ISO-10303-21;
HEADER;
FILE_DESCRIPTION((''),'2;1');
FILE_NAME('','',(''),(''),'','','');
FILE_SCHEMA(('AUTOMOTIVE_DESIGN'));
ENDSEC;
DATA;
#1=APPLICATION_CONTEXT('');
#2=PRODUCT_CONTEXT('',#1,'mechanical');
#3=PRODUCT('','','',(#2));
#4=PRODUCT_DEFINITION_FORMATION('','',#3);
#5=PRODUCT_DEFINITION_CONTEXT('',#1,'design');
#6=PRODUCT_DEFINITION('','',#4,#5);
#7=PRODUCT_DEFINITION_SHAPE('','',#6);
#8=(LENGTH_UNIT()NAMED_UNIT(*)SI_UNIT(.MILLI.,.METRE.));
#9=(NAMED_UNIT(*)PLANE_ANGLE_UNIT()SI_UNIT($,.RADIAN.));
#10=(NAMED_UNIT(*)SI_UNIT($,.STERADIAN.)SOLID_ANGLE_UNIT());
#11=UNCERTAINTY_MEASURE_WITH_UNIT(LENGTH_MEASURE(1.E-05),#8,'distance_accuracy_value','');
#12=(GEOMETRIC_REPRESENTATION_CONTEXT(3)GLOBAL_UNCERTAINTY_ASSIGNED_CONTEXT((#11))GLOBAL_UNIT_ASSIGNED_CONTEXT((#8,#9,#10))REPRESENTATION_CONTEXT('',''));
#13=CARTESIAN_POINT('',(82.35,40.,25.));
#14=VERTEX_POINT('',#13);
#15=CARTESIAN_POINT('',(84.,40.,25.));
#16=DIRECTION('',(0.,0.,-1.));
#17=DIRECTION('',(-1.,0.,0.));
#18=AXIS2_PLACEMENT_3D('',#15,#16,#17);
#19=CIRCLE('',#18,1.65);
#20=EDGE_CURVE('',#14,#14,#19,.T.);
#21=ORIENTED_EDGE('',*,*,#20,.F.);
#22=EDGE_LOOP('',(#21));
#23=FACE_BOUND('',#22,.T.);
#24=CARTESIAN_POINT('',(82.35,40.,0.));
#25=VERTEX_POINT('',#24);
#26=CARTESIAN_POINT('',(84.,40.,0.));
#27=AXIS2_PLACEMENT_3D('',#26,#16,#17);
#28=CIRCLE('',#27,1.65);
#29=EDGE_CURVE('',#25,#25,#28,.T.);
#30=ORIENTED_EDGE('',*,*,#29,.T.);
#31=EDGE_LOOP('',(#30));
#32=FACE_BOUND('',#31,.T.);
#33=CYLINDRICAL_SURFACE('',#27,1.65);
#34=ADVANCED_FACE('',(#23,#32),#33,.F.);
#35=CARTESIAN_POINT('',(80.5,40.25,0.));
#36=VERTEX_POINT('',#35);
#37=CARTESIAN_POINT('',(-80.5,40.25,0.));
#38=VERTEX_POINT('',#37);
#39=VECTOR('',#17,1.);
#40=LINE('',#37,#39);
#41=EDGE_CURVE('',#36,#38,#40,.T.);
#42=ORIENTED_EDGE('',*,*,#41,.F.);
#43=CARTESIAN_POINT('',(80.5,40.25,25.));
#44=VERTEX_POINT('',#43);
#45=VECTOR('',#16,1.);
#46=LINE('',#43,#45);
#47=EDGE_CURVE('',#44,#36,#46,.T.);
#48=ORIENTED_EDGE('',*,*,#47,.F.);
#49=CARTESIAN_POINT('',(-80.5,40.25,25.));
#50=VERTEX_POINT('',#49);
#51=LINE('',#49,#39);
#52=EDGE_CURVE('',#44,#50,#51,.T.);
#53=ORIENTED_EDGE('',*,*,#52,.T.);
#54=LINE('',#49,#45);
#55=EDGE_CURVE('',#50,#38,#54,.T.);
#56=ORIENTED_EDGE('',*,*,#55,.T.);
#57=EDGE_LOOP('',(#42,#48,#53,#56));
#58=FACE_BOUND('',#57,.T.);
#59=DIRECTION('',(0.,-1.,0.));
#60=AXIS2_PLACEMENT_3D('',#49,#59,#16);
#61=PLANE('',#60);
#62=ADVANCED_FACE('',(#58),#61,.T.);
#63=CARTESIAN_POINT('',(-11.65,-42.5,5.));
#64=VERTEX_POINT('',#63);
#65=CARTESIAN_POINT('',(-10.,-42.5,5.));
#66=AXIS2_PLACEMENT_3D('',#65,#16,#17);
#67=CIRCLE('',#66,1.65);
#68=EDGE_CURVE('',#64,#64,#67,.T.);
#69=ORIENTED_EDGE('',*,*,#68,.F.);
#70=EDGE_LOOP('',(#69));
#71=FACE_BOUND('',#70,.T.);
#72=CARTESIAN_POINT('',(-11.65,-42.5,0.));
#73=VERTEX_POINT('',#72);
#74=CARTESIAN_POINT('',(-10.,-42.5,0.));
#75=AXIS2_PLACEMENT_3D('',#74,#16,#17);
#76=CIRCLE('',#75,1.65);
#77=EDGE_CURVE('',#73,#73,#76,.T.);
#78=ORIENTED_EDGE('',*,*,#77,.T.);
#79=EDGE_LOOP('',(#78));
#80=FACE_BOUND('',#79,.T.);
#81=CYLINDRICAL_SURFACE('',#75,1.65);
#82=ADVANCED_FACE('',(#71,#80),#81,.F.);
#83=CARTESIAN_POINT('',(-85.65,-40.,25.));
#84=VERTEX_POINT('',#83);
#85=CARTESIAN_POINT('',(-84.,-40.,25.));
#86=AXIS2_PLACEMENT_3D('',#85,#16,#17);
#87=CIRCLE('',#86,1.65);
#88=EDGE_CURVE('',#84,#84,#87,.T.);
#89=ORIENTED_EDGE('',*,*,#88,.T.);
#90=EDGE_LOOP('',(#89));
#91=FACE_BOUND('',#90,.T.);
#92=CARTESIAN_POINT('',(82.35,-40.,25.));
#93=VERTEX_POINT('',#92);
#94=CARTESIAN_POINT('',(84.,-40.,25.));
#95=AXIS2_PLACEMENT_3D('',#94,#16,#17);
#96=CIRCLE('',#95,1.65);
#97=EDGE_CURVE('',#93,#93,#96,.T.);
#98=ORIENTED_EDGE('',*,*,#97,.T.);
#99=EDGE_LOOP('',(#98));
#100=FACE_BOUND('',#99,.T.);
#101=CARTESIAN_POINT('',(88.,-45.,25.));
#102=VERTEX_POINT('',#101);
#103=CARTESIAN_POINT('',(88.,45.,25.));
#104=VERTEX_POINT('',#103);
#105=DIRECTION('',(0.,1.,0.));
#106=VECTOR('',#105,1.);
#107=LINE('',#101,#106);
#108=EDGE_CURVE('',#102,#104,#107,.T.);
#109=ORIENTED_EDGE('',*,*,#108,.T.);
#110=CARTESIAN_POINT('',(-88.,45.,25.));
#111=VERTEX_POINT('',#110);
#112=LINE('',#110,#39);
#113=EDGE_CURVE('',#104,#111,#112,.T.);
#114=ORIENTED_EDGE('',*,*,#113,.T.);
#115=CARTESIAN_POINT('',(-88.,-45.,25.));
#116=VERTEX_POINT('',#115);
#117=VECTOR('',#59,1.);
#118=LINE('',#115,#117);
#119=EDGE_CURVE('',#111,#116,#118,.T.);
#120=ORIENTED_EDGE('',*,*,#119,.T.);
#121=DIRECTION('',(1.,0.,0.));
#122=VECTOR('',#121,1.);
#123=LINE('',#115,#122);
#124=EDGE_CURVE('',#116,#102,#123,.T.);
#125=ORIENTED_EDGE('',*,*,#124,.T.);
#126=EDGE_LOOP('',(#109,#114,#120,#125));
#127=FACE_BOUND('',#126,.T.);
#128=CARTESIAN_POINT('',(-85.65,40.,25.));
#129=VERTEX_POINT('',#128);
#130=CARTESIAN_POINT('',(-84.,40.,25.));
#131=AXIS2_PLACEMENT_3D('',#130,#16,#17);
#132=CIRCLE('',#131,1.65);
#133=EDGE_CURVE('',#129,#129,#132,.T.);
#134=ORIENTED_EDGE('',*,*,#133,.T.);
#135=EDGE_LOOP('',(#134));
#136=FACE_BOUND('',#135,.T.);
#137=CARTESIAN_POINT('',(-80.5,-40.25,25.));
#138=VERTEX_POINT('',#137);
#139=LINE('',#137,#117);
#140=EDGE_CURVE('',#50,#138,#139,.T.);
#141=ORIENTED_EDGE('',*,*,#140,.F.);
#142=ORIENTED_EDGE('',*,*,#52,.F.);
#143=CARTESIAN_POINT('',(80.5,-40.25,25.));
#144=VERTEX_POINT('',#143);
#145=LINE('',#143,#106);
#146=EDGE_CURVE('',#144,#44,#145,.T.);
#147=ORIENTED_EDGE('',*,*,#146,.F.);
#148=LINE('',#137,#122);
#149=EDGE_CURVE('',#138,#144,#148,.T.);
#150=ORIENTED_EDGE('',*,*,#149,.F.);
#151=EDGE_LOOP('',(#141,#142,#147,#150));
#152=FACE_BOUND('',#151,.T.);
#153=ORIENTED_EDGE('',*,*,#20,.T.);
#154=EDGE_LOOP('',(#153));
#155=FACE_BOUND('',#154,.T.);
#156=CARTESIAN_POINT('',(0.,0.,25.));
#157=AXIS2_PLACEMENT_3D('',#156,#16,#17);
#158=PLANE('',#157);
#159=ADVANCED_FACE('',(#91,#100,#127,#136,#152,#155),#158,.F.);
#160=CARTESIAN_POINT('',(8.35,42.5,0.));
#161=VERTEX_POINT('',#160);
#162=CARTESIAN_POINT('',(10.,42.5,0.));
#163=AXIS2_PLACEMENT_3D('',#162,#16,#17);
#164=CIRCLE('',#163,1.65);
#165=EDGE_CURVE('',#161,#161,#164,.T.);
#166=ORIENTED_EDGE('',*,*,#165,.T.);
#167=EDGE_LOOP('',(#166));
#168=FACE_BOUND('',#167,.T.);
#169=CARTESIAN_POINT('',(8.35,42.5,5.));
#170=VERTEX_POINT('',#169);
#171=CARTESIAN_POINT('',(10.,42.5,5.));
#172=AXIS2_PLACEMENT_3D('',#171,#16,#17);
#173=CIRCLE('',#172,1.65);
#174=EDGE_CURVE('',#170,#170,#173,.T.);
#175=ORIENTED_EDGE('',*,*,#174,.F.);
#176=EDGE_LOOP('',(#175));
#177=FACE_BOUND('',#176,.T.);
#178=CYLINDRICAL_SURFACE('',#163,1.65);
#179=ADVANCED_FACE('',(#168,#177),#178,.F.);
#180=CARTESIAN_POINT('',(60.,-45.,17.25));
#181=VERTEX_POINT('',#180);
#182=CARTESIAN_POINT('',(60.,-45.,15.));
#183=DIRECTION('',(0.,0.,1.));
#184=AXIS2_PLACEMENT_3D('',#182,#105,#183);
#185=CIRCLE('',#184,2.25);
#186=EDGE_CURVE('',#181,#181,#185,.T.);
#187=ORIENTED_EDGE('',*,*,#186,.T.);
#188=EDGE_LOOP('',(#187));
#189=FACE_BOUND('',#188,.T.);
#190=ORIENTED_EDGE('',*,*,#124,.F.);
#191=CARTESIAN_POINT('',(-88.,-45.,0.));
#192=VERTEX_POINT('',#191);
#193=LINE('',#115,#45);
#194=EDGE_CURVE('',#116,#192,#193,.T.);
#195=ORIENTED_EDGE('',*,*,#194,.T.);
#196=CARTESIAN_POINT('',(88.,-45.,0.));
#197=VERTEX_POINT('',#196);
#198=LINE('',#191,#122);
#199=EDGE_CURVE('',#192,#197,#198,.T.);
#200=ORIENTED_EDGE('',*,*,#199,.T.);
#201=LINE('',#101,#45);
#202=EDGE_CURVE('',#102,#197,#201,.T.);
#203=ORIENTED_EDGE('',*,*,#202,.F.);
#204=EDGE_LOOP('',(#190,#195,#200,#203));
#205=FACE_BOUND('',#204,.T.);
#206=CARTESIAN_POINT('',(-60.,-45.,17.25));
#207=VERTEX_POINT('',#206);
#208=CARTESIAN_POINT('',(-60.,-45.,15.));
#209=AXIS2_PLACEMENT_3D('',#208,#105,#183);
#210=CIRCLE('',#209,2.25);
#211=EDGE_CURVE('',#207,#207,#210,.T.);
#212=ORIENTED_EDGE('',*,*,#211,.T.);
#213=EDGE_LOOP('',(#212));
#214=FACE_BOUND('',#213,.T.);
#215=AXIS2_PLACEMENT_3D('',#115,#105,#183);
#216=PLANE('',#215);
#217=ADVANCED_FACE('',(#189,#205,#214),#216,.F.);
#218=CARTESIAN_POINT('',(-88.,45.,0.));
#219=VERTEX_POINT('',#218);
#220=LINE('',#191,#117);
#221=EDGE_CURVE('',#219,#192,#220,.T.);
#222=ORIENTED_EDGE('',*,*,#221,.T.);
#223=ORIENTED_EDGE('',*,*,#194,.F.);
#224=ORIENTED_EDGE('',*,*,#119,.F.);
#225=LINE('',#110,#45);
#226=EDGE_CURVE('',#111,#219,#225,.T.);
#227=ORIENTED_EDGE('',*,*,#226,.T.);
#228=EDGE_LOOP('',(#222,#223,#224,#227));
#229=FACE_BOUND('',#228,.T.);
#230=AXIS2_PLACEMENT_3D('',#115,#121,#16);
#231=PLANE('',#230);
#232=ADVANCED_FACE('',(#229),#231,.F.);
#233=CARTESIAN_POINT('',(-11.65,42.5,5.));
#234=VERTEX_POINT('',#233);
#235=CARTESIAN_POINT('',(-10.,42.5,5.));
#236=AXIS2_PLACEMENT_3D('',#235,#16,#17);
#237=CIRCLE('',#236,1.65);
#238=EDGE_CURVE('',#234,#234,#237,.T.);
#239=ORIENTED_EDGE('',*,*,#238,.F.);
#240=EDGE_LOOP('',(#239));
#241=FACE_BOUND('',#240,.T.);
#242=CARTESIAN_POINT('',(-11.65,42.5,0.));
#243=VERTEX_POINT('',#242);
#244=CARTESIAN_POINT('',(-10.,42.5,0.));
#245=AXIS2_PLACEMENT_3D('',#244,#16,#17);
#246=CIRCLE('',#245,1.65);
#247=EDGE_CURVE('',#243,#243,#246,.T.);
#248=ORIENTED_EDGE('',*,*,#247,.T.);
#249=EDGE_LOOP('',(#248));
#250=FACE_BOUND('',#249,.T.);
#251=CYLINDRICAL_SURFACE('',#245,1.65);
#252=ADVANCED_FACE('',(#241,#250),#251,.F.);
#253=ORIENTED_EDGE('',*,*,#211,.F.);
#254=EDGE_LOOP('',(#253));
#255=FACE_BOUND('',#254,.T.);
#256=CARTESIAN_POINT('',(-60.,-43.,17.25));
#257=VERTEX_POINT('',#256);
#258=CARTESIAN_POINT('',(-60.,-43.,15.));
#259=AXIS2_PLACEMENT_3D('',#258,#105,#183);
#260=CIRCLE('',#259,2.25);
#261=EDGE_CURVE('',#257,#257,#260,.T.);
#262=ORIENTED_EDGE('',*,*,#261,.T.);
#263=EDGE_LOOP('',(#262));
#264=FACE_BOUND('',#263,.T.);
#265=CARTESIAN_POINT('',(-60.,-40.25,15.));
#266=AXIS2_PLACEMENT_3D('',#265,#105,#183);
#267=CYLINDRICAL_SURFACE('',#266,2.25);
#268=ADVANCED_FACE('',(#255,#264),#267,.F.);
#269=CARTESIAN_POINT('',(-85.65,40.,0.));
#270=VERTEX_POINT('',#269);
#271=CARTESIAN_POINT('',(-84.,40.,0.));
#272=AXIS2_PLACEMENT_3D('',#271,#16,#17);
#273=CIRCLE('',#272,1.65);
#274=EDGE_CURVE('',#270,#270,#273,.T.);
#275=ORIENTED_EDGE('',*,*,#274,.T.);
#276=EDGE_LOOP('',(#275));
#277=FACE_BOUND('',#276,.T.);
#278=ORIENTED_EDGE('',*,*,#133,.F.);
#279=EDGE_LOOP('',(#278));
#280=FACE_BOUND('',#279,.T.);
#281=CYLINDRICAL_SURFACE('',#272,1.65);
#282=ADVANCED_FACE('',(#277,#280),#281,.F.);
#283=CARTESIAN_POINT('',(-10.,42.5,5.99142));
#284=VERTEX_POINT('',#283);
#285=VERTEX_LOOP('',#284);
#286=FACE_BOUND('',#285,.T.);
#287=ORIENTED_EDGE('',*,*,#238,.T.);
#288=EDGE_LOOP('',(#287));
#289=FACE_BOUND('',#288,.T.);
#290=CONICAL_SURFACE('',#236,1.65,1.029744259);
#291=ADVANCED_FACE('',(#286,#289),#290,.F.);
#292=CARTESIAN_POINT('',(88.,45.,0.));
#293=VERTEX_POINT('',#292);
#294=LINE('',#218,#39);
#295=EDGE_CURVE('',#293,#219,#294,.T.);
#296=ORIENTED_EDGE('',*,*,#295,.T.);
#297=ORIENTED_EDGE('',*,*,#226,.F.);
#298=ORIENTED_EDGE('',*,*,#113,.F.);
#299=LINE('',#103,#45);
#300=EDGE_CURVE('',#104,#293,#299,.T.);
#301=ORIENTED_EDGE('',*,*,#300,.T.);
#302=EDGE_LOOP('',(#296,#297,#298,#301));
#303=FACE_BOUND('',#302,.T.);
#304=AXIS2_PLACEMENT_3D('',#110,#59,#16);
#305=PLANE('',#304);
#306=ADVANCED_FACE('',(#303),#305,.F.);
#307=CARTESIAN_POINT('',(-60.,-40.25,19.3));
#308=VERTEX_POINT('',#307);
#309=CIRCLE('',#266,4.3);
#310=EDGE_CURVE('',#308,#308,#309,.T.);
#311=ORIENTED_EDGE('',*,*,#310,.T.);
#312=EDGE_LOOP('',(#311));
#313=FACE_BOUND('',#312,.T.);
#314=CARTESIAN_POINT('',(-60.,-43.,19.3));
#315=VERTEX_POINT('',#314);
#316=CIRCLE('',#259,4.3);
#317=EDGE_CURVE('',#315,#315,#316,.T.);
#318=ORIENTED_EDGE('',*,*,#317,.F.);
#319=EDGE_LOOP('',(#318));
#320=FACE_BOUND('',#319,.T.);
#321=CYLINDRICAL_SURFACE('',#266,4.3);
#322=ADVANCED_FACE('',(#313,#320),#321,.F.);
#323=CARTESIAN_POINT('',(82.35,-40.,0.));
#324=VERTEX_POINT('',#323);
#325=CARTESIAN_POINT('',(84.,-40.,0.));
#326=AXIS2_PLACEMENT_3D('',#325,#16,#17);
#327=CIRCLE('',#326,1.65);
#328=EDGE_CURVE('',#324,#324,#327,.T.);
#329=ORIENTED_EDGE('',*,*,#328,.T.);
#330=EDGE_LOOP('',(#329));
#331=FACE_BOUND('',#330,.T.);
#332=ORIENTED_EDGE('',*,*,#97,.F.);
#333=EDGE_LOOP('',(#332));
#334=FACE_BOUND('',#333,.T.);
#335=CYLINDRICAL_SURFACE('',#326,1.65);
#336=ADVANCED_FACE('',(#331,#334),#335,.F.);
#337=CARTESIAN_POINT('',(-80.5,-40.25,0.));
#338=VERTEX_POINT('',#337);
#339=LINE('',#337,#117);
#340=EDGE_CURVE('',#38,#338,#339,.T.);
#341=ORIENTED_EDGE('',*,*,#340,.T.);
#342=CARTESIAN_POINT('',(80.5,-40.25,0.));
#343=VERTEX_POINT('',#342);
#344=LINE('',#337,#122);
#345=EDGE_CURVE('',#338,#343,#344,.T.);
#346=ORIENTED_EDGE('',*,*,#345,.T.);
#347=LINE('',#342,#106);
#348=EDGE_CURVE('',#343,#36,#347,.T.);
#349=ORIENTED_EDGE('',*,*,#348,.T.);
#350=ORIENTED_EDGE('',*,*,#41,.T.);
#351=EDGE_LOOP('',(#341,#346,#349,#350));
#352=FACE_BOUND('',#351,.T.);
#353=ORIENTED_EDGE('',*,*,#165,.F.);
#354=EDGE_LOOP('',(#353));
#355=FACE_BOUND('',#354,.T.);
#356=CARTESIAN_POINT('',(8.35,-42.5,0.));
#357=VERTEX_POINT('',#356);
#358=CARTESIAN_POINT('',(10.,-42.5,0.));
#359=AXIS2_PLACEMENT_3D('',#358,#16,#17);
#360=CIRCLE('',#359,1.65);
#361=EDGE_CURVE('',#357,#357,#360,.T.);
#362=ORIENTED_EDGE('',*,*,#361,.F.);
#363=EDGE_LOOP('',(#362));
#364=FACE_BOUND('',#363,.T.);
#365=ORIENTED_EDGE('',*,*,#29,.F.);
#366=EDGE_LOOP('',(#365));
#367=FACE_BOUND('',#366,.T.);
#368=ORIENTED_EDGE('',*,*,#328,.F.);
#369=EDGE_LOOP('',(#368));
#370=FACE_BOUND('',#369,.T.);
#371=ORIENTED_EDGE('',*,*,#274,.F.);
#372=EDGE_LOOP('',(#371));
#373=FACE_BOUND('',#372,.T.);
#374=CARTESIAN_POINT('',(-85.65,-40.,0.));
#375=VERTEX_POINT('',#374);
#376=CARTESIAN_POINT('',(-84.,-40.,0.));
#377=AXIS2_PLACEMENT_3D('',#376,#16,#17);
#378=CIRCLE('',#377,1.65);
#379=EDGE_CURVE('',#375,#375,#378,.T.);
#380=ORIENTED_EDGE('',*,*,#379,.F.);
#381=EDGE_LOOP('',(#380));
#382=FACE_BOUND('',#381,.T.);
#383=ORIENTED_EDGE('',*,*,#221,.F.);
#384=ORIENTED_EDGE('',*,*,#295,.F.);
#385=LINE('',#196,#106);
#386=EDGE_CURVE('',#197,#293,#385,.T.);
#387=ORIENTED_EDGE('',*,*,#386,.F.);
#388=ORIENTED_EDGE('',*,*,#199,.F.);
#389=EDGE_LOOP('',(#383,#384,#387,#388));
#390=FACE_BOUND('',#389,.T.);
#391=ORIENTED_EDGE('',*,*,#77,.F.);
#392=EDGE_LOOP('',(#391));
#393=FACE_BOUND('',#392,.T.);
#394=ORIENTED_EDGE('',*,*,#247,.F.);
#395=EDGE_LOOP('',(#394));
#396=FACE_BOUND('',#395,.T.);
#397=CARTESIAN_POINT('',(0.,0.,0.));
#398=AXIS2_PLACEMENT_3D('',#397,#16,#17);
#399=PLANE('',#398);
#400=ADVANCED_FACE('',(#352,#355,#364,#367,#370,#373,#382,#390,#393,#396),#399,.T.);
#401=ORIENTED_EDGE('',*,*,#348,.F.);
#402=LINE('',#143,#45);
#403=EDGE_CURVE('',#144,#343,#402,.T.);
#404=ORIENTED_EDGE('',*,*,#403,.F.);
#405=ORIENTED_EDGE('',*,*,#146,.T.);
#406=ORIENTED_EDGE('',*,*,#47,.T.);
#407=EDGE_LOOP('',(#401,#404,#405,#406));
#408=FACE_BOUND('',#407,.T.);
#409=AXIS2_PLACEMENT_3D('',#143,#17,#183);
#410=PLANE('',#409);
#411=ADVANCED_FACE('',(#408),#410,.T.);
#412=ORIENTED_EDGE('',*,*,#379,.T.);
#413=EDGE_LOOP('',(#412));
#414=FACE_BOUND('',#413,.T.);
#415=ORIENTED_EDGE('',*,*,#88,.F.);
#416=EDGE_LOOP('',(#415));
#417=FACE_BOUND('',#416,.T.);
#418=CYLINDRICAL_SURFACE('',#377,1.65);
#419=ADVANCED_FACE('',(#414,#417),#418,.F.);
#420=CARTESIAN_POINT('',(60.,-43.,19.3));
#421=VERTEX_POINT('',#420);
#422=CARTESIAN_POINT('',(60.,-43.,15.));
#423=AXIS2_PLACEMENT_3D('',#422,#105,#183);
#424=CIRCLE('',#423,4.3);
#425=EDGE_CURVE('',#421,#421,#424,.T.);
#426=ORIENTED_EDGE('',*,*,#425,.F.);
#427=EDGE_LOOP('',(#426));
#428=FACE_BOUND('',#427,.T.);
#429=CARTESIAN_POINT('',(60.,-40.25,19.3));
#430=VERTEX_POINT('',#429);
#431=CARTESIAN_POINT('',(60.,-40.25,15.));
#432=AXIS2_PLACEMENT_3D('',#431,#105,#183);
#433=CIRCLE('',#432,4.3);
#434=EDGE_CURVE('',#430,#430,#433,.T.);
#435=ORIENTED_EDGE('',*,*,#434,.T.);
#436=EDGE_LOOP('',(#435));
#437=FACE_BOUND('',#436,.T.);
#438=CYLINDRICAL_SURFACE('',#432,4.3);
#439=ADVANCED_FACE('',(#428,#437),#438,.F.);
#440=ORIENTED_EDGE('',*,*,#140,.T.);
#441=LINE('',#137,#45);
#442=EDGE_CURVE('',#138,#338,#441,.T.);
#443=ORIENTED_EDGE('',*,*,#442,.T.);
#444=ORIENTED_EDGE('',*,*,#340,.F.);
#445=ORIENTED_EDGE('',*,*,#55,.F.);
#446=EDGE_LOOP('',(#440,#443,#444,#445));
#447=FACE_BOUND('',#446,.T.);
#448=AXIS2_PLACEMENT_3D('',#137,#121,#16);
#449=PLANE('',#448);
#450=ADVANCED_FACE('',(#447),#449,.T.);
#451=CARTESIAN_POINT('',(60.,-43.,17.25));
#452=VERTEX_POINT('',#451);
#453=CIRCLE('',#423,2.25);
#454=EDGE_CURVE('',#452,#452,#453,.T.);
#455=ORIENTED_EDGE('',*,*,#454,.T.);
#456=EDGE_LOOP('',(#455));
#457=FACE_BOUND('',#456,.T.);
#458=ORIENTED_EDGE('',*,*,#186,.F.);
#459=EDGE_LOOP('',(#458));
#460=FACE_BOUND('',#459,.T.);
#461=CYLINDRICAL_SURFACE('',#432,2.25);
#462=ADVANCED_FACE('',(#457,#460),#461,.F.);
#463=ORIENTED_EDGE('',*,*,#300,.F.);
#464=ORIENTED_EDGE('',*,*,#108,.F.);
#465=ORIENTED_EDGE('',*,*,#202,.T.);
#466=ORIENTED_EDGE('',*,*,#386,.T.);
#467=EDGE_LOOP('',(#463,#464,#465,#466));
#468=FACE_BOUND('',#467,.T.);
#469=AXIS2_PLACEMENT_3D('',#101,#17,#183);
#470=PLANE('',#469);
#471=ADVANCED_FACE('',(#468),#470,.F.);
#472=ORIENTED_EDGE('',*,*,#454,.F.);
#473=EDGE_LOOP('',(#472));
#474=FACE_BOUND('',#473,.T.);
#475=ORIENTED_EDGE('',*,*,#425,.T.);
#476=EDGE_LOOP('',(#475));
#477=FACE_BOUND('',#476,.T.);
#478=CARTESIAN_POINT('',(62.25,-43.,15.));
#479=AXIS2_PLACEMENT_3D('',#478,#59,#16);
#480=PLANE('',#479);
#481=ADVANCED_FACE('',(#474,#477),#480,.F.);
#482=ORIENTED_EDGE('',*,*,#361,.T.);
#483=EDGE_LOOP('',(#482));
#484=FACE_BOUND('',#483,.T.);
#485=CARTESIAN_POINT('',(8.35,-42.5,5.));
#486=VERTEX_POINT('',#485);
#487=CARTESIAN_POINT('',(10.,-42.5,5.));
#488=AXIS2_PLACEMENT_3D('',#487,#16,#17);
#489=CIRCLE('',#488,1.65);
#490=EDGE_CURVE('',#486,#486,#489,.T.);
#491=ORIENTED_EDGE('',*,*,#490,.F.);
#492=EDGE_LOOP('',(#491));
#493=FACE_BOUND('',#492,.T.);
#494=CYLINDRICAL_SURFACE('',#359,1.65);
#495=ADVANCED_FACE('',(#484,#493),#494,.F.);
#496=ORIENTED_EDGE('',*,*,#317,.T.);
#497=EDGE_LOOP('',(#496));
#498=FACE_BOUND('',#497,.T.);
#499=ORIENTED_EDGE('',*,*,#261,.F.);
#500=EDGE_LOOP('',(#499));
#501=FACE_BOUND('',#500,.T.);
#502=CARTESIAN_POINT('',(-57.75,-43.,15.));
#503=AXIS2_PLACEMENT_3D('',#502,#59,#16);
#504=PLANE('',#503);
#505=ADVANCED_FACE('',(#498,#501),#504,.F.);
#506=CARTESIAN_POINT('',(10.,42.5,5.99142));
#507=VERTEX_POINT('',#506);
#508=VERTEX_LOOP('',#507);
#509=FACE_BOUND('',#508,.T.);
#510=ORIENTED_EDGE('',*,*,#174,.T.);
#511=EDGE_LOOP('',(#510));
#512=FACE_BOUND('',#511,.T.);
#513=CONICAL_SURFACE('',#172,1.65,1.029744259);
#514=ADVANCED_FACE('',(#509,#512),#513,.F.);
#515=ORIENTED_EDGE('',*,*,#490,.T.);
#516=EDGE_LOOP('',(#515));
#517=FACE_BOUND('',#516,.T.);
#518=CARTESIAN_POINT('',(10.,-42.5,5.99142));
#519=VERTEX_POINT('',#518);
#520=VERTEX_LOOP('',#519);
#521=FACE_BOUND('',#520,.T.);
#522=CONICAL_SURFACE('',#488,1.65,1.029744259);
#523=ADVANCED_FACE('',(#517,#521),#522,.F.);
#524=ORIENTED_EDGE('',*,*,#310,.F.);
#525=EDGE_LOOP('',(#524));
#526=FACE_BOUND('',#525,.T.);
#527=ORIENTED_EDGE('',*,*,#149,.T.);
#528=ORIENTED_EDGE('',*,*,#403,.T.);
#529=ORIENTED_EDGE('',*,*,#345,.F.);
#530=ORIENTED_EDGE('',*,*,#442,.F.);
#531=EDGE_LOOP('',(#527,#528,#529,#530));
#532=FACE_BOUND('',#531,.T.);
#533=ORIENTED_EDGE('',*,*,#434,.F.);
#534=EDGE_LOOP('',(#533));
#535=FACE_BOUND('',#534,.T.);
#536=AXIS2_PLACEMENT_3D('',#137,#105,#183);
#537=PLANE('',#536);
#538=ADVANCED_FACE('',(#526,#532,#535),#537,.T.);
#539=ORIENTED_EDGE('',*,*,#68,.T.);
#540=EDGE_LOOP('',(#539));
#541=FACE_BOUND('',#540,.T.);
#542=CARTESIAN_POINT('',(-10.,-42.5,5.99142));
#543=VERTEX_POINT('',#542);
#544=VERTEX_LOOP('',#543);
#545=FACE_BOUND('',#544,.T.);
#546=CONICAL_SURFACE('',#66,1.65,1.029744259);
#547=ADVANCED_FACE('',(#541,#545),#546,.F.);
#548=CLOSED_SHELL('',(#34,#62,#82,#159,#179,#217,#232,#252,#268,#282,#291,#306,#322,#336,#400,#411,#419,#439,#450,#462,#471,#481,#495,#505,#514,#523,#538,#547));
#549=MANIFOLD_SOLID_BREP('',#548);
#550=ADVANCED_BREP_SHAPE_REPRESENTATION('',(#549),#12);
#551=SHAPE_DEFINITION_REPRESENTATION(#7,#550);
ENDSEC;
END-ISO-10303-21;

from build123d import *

# Parameters (mm, degrees)
SKETCH5_W                       = 176
SKETCH5_H                       = 90
SKETCH5_W_2                     = 161
SKETCH5_H_2                     = 80.5
BOSS_EXTRUDE2_DEPTH             = 25
M4X0_7_TAPPED_HOLE1_D           = 3.3
CBORE_FOR_M4_SBHCS1_D           = 4.5
CBORE_FOR_M4_SBHCS1_DEPTH       = 4.75
CBORE_FOR_M4_SBHCS1_CBORE_D     = 8.6
CBORE_FOR_M4_SBHCS1_CBORE_DEPTH = 2.75
M4X0_7_TAPPED_HOLE2_D           = 3.3
M4X0_7_TAPPED_HOLE2_DEPTH       = 5
M4X0_7_TAPPED_HOLE2_TIP         = 0.991420021


with BuildPart() as part:
    # Sketch5 → Boss-Extrude2 (new body)
    with BuildSketch(Plane.XY):
        Rectangle(SKETCH5_W, SKETCH5_H)
        Rectangle(SKETCH5_W_2, SKETCH5_H_2, mode=Mode.SUBTRACT)
    extrude(amount=BOSS_EXTRUDE2_DEPTH)

    # M4x0.7 Tapped Hole1 (through all)
    with Locations(Plane(origin=(0, 0, 0), x_dir=(-1, 0, 0), z_dir=(0, 0, -1))):
        with Locations((0, 0), (84, 40), (-84, -40), (-84, 40), (84, -40)):
            Hole(M4X0_7_TAPPED_HOLE1_D / 2)

    # CBORE for M4 SBHCS1
    with Locations(Plane(origin=(0, -40.25, 0), x_dir=(1, 0, 0), z_dir=(0, 1, 0))):
        with Locations((-60, -15), (60, -15)):
            CounterBoreHole(CBORE_FOR_M4_SBHCS1_D / 2, CBORE_FOR_M4_SBHCS1_CBORE_D / 2, CBORE_FOR_M4_SBHCS1_CBORE_DEPTH, depth=CBORE_FOR_M4_SBHCS1_DEPTH)

    # M4x0.7 Tapped Hole2
    with Locations(Plane(origin=(0, 0, 0), x_dir=(-1, 0, 0), z_dir=(0, 0, -1))):
        with Locations((0, 0), (10, 42.5), (-10, -42.5), (-10, 42.5), (10, -42.5)):
            Hole(M4X0_7_TAPPED_HOLE2_D / 2, depth=M4X0_7_TAPPED_HOLE2_DEPTH)
            with Locations((0, 0, -(M4X0_7_TAPPED_HOLE2_DEPTH + M4X0_7_TAPPED_HOLE2_TIP / 2))):  # 118° drill point
                Cone(0, M4X0_7_TAPPED_HOLE2_D / 2, M4X0_7_TAPPED_HOLE2_TIP, mode=Mode.SUBTRACT)


solid = part.part
